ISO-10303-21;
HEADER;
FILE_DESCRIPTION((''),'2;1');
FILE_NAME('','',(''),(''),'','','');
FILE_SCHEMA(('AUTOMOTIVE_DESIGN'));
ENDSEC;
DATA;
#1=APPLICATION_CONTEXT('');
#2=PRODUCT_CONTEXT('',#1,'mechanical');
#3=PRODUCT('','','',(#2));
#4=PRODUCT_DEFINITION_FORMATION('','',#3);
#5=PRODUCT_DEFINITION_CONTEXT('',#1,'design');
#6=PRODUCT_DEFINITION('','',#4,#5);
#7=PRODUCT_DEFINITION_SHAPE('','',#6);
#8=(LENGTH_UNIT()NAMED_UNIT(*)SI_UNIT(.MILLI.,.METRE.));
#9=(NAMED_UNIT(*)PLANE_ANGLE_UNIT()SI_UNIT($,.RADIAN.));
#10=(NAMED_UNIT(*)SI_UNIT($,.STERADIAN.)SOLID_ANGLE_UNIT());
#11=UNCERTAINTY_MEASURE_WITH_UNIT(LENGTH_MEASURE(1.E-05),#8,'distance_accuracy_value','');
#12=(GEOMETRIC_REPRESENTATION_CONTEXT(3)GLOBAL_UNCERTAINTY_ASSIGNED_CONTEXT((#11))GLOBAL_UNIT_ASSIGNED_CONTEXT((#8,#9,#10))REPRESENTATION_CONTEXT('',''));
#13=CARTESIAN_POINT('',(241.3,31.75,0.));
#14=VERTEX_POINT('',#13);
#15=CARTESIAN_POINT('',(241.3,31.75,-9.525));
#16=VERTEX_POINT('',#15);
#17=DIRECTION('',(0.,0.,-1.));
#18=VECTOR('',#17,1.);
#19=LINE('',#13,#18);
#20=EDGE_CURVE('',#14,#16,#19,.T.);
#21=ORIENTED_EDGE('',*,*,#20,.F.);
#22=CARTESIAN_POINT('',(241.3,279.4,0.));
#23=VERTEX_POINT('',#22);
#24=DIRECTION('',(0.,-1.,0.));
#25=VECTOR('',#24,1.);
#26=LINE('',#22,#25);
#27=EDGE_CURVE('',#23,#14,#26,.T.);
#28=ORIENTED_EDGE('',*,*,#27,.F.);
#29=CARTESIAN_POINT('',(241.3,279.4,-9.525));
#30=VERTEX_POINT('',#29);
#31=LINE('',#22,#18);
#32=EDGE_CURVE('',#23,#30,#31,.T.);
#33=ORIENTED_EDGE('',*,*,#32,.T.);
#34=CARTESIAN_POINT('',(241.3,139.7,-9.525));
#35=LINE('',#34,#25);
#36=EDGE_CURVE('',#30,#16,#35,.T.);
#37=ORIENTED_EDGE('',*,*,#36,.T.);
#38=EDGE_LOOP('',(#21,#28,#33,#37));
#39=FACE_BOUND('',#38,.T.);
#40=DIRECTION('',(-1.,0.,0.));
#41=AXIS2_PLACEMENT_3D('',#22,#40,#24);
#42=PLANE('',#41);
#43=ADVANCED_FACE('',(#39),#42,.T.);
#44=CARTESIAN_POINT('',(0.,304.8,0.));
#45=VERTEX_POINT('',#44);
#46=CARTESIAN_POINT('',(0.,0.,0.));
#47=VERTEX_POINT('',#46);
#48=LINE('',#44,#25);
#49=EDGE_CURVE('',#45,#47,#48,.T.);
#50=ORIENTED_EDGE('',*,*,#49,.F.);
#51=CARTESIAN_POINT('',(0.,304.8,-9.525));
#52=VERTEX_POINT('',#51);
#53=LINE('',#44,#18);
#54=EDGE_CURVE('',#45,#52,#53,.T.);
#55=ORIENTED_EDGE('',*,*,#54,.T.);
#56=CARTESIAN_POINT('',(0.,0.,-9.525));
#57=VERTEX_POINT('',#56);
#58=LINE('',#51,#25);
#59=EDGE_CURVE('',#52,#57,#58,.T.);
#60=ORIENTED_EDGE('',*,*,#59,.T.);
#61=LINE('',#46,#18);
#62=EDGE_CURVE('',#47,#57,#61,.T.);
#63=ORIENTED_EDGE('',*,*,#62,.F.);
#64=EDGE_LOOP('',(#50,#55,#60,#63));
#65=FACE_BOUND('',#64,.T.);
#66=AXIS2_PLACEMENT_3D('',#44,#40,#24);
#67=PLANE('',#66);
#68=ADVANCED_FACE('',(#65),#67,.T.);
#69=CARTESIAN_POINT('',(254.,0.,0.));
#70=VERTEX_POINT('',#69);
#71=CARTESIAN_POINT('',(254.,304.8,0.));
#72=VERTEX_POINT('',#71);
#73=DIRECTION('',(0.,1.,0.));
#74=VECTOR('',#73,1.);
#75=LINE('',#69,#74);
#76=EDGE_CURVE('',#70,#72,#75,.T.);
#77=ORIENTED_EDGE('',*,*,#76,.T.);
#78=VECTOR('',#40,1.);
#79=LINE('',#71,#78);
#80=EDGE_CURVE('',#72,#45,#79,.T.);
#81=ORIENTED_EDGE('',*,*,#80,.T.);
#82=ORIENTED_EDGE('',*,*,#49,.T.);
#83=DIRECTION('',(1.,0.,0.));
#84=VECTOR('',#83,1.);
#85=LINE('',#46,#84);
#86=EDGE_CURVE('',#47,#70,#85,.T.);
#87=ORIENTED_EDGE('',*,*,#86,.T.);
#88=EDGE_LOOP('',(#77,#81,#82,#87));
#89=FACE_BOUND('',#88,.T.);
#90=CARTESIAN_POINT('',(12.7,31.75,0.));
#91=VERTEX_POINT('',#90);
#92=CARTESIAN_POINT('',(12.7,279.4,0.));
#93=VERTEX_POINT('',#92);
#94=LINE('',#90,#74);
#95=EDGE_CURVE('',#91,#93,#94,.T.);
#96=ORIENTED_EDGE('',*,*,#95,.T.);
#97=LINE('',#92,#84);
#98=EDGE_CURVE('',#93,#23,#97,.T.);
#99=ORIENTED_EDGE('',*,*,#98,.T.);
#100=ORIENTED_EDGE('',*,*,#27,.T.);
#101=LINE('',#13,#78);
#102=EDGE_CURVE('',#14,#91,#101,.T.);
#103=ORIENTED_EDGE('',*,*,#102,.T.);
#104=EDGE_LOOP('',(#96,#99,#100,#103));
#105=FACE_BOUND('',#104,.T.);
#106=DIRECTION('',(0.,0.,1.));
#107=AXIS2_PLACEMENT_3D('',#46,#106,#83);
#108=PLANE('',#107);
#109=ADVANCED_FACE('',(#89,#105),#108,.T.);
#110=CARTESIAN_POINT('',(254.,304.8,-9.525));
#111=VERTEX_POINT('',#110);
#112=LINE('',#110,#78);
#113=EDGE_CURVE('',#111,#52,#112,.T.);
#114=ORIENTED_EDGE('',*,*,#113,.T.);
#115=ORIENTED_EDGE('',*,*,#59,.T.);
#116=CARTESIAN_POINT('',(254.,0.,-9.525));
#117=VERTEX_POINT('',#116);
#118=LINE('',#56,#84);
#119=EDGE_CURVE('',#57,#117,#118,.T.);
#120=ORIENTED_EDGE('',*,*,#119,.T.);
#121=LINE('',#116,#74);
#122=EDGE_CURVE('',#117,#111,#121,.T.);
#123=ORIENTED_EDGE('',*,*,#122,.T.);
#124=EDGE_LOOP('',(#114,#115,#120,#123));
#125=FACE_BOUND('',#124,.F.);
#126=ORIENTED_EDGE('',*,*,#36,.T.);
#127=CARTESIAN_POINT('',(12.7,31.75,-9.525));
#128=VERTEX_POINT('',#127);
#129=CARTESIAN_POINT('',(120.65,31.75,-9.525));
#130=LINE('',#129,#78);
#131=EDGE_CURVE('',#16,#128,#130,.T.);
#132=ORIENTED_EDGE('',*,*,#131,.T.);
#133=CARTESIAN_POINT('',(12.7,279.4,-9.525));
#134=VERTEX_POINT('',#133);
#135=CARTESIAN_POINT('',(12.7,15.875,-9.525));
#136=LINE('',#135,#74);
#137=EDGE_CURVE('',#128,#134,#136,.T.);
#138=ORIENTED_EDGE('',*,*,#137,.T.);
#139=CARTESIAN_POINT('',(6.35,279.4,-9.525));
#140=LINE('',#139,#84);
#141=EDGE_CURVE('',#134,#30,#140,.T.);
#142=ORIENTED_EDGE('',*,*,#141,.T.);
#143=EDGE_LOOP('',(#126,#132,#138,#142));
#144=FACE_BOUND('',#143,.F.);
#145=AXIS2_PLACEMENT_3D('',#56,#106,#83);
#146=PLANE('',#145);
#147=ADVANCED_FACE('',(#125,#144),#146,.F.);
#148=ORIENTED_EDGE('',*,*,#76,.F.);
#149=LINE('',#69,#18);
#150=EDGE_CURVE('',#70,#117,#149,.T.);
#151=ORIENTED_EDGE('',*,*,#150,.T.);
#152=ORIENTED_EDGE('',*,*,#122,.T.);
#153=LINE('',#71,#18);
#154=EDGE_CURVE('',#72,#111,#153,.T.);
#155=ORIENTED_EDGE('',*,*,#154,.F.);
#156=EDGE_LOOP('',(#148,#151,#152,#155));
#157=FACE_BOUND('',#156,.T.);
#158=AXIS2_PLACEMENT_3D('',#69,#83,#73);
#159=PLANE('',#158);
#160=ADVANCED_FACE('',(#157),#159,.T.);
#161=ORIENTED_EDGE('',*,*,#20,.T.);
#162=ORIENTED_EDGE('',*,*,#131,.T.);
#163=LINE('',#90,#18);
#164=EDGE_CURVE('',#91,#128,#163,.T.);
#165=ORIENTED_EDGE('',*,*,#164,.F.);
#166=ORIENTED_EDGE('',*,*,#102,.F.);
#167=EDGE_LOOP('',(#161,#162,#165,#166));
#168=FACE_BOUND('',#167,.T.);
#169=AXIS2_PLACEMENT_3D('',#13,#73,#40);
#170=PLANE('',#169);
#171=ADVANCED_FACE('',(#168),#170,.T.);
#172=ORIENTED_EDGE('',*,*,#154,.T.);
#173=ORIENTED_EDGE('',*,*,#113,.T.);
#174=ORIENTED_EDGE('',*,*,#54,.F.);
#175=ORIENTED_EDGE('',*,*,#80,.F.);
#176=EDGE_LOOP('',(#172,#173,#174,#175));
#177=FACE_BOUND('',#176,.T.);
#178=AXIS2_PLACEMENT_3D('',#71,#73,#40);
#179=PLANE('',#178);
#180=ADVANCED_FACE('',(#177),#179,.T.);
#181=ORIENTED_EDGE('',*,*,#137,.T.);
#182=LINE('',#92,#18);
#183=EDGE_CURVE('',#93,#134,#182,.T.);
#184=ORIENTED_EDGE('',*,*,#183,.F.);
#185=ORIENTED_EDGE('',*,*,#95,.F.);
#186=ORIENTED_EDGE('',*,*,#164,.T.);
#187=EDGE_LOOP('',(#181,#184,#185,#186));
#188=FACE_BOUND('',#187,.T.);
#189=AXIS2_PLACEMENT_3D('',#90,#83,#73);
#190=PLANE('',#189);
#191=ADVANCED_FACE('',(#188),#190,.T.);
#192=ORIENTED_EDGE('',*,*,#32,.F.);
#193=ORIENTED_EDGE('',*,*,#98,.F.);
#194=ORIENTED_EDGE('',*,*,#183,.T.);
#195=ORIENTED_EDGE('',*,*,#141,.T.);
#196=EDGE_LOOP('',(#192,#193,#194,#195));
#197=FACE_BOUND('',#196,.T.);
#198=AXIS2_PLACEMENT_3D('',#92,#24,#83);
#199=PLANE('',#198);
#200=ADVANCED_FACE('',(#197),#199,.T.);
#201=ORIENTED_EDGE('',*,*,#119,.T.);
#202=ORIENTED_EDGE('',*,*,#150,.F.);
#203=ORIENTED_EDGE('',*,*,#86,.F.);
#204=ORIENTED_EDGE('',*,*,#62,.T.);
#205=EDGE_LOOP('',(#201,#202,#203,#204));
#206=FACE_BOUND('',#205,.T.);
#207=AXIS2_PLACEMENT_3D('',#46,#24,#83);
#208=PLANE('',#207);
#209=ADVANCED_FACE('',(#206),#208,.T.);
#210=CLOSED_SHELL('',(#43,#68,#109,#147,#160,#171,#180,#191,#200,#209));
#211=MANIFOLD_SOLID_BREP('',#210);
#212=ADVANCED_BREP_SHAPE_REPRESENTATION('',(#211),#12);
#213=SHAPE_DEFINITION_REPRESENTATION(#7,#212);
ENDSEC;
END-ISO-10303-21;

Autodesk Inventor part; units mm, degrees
ref_plane "YZ Plane" through (0, 0, 0) normal (1, 0, 0) x (0, 1, 0)
ref_plane "XZ Plane" through (0, 0, 0) normal (0, 1, 0) x (-1, 0, 0)
ref_plane "XY Plane" through (0, 0, 0) normal (0, 0, 1) x (1, 0, 0)
sketch "Sketch1" plane through (0, 0, 0) normal (0, 0, 1) x (1, 0, 0)
  line L0 (0, 0) -> (254, 0)
  line L1 (254, 0) -> (254, 304.8)
  line L2 (254, 304.8) -> (0, 304.8)
  line L3 (0, 304.8) -> (0, 0)
  dimension "d0" = 254
  dimension "d1" = 304.8
extrude "Extrusion1" add sketch "Sketch1" against normal blind 9.525
sketch "Sketch2" plane through (0, 0, 0) normal (0, 0, 1) x (1, 0, 0)
  line L0 (12.7, 279.4) -> (241.3, 279.4)
  line L1 (241.3, 279.4) -> (241.3, 31.75)
  line L2 (241.3, 31.75) -> (12.7, 31.75)
  line L3 (12.7, 31.75) -> (12.7, 279.4)
  line L4 (0, 0) -> (254, 0) projected
  line L5 (254, 0) -> (254, 304.8) projected
  line L6 (254, 304.8) -> (0, 304.8) projected
  line L7 (0, 304.8) -> (0, 0) projected
  point P0 (127, 279.4)
  point P1 (127, 304.8)
  dimension "d4" = 25.4
  dimension "d5" = 31.75
  dimension "d6" = 12.7
extrude "Extrusion2" cut sketch "Sketch2" against normal through all contours L0 L1 L2 L3
properties part number "Left Face"
